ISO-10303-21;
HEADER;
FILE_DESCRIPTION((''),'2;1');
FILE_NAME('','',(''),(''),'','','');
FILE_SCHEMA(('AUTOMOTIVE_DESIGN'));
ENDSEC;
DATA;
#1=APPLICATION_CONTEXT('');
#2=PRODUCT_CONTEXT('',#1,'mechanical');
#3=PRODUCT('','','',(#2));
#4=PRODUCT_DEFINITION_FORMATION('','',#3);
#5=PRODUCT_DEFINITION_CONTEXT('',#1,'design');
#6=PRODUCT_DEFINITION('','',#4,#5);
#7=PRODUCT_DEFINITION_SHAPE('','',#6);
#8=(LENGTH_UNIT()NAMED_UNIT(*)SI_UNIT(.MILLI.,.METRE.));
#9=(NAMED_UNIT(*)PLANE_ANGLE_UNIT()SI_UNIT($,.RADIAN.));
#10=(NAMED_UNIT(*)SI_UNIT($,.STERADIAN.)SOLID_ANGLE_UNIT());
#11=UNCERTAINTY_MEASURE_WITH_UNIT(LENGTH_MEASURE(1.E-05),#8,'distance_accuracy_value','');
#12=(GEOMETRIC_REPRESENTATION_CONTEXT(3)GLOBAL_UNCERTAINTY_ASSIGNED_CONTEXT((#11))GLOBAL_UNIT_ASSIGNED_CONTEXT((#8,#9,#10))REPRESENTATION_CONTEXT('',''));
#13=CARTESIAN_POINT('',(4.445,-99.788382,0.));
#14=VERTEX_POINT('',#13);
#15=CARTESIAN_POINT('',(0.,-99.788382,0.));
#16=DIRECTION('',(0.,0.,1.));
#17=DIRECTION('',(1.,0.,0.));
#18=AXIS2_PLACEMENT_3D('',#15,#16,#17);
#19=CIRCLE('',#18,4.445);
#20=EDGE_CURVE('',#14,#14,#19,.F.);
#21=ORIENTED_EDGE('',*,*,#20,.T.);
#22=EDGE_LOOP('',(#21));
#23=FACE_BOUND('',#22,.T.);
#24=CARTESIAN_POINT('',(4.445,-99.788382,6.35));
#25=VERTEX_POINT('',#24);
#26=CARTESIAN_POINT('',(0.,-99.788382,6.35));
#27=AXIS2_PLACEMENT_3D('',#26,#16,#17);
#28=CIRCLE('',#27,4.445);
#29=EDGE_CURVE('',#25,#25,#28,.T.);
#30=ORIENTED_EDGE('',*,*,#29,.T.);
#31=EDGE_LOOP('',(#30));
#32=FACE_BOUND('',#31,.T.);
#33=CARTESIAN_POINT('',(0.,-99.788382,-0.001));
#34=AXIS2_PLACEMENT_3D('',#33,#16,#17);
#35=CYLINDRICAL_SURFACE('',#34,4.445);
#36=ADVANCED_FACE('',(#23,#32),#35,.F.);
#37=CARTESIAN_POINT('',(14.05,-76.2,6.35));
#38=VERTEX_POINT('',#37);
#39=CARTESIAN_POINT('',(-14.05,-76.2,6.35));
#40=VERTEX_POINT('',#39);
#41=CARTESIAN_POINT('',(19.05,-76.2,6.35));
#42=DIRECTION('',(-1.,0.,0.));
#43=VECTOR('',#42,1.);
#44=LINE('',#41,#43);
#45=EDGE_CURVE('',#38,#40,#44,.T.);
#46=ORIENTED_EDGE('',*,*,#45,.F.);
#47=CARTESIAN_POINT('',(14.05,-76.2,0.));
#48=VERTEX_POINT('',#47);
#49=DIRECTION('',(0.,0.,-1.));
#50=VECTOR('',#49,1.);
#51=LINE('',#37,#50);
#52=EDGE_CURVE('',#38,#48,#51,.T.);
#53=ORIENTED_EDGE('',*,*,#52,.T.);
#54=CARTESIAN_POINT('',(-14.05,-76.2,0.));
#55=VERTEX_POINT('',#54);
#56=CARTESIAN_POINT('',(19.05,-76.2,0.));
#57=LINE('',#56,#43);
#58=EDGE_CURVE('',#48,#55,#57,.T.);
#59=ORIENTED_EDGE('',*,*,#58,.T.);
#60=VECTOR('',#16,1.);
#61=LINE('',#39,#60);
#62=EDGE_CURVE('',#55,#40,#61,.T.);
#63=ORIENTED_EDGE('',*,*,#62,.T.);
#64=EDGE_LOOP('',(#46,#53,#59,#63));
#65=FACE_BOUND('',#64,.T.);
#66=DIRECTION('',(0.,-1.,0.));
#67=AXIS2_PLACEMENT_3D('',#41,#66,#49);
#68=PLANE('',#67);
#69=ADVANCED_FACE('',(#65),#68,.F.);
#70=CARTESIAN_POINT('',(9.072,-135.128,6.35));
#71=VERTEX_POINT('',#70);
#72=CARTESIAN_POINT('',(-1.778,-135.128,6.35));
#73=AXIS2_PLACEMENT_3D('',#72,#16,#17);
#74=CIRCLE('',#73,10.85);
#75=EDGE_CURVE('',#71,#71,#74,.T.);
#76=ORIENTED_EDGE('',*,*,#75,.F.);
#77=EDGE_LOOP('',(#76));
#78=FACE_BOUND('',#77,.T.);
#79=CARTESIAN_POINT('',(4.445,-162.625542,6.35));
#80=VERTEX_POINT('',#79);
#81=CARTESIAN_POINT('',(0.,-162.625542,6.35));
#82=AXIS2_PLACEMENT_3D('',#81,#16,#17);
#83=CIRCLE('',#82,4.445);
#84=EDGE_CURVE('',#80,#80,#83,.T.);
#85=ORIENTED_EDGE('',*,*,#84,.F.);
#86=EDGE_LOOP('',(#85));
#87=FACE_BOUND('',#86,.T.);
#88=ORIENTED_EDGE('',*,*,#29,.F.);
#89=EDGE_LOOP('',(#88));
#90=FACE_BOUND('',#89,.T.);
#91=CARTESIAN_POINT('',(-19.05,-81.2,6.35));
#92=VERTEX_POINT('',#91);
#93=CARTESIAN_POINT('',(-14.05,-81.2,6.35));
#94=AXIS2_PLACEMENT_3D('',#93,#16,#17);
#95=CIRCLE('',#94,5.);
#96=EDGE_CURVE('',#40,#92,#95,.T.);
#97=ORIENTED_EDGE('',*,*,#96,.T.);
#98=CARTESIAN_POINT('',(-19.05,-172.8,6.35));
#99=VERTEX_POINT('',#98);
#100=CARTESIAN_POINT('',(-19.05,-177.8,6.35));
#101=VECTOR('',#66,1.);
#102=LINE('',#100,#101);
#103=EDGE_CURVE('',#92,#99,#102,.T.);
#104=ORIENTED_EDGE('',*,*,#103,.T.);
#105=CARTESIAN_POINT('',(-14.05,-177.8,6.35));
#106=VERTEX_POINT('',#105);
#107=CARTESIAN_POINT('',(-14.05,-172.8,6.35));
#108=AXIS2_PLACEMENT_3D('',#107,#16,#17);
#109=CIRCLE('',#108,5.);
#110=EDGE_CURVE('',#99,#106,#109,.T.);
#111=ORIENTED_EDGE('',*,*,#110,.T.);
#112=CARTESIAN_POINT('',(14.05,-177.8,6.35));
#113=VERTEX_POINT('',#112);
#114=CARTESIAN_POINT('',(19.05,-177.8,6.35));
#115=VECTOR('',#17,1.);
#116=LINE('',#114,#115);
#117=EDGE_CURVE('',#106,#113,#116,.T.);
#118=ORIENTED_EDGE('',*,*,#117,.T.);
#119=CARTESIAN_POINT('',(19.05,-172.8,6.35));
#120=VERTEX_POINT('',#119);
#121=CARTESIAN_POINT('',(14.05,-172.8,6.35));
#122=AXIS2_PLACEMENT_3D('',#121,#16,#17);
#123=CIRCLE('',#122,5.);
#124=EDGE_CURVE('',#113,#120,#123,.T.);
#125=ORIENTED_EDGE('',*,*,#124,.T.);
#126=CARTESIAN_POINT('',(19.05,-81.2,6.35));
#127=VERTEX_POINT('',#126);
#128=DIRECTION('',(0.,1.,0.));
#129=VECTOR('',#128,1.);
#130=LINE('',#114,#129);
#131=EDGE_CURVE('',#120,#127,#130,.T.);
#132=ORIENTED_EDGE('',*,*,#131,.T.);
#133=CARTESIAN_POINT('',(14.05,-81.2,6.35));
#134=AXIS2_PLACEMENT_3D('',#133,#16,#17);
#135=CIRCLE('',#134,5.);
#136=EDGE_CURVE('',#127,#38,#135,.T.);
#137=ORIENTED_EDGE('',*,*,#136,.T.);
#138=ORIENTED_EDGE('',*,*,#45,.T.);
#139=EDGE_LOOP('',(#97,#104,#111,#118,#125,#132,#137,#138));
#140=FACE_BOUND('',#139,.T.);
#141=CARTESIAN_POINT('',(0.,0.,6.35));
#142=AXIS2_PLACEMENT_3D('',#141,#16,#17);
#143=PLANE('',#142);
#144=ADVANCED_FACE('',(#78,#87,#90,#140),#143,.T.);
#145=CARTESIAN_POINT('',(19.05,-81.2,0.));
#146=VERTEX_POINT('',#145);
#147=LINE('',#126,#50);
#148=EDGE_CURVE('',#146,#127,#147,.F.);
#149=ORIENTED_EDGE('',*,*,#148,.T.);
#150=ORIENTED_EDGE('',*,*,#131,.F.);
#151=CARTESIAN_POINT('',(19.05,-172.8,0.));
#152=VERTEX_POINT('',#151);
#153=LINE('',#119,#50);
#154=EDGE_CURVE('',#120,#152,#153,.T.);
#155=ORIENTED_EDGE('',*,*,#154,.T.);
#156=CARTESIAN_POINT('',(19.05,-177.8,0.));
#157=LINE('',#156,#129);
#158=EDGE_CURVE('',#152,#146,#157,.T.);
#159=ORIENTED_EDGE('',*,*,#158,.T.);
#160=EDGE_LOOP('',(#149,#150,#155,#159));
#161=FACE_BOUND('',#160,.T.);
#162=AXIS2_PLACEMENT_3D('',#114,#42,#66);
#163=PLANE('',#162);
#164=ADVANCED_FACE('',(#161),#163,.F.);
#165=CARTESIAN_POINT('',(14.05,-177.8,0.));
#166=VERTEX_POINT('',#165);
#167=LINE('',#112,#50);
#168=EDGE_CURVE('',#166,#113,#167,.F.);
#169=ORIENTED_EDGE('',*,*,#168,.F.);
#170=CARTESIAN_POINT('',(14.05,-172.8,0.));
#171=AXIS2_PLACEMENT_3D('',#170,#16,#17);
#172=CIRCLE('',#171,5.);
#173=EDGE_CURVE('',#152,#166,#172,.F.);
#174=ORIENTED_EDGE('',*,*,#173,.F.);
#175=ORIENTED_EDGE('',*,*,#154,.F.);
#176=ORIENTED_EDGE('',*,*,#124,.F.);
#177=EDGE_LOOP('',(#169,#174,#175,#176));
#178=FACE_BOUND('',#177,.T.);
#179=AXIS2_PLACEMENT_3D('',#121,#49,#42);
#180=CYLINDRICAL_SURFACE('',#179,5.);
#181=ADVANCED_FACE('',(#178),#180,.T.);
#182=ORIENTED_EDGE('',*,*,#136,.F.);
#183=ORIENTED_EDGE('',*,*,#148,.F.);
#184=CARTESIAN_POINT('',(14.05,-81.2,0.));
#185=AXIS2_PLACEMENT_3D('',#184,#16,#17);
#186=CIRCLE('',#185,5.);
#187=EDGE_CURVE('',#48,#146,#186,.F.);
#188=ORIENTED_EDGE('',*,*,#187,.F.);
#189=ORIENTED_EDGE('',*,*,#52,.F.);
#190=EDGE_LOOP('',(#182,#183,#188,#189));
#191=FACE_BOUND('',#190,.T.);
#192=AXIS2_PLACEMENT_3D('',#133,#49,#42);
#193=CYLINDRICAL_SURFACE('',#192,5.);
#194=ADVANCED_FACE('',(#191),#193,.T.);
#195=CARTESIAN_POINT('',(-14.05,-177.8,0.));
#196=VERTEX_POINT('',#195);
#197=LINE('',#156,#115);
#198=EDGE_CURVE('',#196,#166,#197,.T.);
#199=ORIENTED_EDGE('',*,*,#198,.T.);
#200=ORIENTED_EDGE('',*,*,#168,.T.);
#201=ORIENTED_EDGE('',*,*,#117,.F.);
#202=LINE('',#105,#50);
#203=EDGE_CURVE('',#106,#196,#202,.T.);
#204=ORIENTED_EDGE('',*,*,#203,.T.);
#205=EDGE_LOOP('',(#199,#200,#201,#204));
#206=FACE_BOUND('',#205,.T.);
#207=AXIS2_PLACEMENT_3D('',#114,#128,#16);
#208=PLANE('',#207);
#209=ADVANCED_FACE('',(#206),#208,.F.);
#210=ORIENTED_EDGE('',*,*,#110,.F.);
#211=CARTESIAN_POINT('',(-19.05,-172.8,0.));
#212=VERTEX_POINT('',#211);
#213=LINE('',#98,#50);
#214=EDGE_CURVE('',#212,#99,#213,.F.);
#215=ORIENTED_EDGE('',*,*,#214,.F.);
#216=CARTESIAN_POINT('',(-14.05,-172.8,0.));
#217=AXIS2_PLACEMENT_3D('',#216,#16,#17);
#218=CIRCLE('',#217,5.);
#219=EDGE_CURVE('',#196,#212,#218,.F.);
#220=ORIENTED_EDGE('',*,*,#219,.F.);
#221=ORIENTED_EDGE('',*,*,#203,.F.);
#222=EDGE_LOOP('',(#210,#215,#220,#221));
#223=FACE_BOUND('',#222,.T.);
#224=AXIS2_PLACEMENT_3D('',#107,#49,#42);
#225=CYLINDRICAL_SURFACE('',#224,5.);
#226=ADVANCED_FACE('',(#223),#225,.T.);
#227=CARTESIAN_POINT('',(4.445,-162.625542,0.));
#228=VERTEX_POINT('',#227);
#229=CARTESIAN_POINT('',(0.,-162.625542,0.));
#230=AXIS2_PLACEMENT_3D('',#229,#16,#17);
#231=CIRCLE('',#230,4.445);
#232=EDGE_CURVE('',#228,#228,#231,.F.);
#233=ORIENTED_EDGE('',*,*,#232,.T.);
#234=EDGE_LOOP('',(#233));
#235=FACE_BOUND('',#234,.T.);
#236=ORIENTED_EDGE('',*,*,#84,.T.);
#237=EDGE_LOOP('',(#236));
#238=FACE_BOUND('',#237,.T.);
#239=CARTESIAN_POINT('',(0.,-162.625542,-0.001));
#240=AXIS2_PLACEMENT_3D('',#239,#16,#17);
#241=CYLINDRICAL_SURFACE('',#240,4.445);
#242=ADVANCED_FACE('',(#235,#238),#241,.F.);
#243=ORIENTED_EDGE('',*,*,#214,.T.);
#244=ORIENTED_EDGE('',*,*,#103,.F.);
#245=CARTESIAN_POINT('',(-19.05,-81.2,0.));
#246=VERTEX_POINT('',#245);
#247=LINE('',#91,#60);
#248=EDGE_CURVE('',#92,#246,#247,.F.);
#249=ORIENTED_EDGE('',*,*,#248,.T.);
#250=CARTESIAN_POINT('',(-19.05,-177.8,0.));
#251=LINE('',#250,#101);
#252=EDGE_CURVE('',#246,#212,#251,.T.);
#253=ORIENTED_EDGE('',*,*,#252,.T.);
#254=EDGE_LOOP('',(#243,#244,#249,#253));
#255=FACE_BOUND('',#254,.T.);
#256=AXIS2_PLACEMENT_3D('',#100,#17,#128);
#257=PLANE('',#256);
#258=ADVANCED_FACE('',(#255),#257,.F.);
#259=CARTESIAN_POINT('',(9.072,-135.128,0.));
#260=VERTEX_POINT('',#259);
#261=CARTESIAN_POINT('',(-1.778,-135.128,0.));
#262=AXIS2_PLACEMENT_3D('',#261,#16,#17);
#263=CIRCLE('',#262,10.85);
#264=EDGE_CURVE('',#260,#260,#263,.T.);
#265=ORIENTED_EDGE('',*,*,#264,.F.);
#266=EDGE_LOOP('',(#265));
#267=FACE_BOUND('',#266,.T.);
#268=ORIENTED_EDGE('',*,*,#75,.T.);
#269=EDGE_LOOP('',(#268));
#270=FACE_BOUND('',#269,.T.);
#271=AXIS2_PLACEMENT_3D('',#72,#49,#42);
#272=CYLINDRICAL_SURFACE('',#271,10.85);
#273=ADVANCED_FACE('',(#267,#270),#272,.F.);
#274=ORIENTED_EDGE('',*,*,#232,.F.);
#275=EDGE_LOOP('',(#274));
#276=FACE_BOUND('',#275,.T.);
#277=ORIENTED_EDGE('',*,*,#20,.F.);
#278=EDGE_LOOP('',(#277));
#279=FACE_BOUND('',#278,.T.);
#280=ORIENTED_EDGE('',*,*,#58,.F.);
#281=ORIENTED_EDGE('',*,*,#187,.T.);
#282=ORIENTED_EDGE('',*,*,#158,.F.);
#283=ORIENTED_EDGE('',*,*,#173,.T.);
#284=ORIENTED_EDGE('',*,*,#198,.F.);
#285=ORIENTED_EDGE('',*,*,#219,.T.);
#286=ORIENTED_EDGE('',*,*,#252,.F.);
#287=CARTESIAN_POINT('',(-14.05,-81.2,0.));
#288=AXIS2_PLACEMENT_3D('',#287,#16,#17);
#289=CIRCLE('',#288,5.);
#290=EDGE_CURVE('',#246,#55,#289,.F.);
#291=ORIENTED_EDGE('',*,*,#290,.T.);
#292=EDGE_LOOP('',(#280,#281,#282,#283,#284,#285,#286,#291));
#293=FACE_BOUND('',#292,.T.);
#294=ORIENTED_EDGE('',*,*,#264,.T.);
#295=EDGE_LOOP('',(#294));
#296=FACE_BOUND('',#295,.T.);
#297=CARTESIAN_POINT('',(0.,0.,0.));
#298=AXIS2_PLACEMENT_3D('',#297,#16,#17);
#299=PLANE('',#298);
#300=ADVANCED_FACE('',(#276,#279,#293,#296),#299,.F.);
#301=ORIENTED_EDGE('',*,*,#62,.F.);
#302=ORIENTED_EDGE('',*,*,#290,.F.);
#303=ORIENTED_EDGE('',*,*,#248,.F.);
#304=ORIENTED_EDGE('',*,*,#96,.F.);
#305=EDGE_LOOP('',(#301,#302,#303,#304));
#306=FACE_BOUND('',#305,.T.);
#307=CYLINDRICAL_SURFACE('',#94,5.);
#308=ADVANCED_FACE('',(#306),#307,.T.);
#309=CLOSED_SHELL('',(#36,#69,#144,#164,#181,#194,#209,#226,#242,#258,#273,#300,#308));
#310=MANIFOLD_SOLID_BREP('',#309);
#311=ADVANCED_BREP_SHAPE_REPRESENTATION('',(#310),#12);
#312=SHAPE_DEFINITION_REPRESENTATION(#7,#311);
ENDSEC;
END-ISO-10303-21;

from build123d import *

# Parameters (mm, degrees)
SKETCH1_W           = 38.1
SKETCH1_H           = 101.6
SKETCH1_R           = 10.85
BOSS_EXTRUDE1_DEPTH = 6.35
FILLET1_R           = 5
FILLET2_R           = 5
FILLET3_R           = 5
FILLET4_R           = 5
CUT_EXTRUDE1_REACH  = 180.93
SKETCH2_R           = 4.445


with BuildPart() as part:
    # Sketch1 → Boss-Extrude1 (new body)
    with BuildSketch(Plane.XY):
        with Locations((0, -127)):
            Rectangle(SKETCH1_W, SKETCH1_H)
        with Locations((-1.778, -135.128)):
            Circle(SKETCH1_R, mode=Mode.SUBTRACT)
    extrude(amount=BOSS_EXTRUDE1_DEPTH)

    # Fillet1
    fillet1_edges = [part.edges().sort_by_distance(p)[0] for p in [
        (-19.05, -76.2, 3.175),
    ]]
    fillet(fillet1_edges, radius=FILLET1_R)

    # Fillet2
    fillet2_edges = [part.edges().sort_by_distance(p)[0] for p in [
        (19.05, -76.2, 3.175),
    ]]
    fillet(fillet2_edges, radius=FILLET2_R)

    # Fillet3
    fillet3_edges = [part.edges().sort_by_distance(p)[0] for p in [
        (19.05, -177.8, 3.175),
    ]]
    fillet(fillet3_edges, radius=FILLET3_R)

    # Fillet4
    fillet4_edges = [part.edges().sort_by_distance(p)[0] for p in [
        (-19.05, -177.8, 3.175),
    ]]
    fillet(fillet4_edges, radius=FILLET4_R)

    # Sketch2 → Cut-Extrude1 (cut, up to next)
    with BuildSketch(Plane.XY.offset(6.35), mode=Mode.PRIVATE) as cut_extrude1_sk1:
        with Locations((0, -99.788381621)):
            Circle(SKETCH2_R)
    cut_extrude1_tool1 = extrude(cut_extrude1_sk1.sketch, amount=-CUT_EXTRUDE1_REACH, mode=Mode.PRIVATE) & part.part
    # Sketch2 → Cut-Extrude1 (cut, up to next)
    with BuildSketch(Plane.XY.offset(6.35), mode=Mode.PRIVATE) as cut_extrude1_sk2:
        with Locations((0, -162.625541616)):
            Circle(SKETCH2_R)
    cut_extrude1_tool2 = extrude(cut_extrude1_sk2.sketch, amount=-CUT_EXTRUDE1_REACH, mode=Mode.PRIVATE) & part.part
    add(cut_extrude1_tool1.solids().sort_by_distance((0, -99.788382, 6.35))[0], mode=Mode.SUBTRACT)
    add(cut_extrude1_tool2.solids().sort_by_distance((0, -162.625542, 6.35))[0], mode=Mode.SUBTRACT)


solid = part.part
